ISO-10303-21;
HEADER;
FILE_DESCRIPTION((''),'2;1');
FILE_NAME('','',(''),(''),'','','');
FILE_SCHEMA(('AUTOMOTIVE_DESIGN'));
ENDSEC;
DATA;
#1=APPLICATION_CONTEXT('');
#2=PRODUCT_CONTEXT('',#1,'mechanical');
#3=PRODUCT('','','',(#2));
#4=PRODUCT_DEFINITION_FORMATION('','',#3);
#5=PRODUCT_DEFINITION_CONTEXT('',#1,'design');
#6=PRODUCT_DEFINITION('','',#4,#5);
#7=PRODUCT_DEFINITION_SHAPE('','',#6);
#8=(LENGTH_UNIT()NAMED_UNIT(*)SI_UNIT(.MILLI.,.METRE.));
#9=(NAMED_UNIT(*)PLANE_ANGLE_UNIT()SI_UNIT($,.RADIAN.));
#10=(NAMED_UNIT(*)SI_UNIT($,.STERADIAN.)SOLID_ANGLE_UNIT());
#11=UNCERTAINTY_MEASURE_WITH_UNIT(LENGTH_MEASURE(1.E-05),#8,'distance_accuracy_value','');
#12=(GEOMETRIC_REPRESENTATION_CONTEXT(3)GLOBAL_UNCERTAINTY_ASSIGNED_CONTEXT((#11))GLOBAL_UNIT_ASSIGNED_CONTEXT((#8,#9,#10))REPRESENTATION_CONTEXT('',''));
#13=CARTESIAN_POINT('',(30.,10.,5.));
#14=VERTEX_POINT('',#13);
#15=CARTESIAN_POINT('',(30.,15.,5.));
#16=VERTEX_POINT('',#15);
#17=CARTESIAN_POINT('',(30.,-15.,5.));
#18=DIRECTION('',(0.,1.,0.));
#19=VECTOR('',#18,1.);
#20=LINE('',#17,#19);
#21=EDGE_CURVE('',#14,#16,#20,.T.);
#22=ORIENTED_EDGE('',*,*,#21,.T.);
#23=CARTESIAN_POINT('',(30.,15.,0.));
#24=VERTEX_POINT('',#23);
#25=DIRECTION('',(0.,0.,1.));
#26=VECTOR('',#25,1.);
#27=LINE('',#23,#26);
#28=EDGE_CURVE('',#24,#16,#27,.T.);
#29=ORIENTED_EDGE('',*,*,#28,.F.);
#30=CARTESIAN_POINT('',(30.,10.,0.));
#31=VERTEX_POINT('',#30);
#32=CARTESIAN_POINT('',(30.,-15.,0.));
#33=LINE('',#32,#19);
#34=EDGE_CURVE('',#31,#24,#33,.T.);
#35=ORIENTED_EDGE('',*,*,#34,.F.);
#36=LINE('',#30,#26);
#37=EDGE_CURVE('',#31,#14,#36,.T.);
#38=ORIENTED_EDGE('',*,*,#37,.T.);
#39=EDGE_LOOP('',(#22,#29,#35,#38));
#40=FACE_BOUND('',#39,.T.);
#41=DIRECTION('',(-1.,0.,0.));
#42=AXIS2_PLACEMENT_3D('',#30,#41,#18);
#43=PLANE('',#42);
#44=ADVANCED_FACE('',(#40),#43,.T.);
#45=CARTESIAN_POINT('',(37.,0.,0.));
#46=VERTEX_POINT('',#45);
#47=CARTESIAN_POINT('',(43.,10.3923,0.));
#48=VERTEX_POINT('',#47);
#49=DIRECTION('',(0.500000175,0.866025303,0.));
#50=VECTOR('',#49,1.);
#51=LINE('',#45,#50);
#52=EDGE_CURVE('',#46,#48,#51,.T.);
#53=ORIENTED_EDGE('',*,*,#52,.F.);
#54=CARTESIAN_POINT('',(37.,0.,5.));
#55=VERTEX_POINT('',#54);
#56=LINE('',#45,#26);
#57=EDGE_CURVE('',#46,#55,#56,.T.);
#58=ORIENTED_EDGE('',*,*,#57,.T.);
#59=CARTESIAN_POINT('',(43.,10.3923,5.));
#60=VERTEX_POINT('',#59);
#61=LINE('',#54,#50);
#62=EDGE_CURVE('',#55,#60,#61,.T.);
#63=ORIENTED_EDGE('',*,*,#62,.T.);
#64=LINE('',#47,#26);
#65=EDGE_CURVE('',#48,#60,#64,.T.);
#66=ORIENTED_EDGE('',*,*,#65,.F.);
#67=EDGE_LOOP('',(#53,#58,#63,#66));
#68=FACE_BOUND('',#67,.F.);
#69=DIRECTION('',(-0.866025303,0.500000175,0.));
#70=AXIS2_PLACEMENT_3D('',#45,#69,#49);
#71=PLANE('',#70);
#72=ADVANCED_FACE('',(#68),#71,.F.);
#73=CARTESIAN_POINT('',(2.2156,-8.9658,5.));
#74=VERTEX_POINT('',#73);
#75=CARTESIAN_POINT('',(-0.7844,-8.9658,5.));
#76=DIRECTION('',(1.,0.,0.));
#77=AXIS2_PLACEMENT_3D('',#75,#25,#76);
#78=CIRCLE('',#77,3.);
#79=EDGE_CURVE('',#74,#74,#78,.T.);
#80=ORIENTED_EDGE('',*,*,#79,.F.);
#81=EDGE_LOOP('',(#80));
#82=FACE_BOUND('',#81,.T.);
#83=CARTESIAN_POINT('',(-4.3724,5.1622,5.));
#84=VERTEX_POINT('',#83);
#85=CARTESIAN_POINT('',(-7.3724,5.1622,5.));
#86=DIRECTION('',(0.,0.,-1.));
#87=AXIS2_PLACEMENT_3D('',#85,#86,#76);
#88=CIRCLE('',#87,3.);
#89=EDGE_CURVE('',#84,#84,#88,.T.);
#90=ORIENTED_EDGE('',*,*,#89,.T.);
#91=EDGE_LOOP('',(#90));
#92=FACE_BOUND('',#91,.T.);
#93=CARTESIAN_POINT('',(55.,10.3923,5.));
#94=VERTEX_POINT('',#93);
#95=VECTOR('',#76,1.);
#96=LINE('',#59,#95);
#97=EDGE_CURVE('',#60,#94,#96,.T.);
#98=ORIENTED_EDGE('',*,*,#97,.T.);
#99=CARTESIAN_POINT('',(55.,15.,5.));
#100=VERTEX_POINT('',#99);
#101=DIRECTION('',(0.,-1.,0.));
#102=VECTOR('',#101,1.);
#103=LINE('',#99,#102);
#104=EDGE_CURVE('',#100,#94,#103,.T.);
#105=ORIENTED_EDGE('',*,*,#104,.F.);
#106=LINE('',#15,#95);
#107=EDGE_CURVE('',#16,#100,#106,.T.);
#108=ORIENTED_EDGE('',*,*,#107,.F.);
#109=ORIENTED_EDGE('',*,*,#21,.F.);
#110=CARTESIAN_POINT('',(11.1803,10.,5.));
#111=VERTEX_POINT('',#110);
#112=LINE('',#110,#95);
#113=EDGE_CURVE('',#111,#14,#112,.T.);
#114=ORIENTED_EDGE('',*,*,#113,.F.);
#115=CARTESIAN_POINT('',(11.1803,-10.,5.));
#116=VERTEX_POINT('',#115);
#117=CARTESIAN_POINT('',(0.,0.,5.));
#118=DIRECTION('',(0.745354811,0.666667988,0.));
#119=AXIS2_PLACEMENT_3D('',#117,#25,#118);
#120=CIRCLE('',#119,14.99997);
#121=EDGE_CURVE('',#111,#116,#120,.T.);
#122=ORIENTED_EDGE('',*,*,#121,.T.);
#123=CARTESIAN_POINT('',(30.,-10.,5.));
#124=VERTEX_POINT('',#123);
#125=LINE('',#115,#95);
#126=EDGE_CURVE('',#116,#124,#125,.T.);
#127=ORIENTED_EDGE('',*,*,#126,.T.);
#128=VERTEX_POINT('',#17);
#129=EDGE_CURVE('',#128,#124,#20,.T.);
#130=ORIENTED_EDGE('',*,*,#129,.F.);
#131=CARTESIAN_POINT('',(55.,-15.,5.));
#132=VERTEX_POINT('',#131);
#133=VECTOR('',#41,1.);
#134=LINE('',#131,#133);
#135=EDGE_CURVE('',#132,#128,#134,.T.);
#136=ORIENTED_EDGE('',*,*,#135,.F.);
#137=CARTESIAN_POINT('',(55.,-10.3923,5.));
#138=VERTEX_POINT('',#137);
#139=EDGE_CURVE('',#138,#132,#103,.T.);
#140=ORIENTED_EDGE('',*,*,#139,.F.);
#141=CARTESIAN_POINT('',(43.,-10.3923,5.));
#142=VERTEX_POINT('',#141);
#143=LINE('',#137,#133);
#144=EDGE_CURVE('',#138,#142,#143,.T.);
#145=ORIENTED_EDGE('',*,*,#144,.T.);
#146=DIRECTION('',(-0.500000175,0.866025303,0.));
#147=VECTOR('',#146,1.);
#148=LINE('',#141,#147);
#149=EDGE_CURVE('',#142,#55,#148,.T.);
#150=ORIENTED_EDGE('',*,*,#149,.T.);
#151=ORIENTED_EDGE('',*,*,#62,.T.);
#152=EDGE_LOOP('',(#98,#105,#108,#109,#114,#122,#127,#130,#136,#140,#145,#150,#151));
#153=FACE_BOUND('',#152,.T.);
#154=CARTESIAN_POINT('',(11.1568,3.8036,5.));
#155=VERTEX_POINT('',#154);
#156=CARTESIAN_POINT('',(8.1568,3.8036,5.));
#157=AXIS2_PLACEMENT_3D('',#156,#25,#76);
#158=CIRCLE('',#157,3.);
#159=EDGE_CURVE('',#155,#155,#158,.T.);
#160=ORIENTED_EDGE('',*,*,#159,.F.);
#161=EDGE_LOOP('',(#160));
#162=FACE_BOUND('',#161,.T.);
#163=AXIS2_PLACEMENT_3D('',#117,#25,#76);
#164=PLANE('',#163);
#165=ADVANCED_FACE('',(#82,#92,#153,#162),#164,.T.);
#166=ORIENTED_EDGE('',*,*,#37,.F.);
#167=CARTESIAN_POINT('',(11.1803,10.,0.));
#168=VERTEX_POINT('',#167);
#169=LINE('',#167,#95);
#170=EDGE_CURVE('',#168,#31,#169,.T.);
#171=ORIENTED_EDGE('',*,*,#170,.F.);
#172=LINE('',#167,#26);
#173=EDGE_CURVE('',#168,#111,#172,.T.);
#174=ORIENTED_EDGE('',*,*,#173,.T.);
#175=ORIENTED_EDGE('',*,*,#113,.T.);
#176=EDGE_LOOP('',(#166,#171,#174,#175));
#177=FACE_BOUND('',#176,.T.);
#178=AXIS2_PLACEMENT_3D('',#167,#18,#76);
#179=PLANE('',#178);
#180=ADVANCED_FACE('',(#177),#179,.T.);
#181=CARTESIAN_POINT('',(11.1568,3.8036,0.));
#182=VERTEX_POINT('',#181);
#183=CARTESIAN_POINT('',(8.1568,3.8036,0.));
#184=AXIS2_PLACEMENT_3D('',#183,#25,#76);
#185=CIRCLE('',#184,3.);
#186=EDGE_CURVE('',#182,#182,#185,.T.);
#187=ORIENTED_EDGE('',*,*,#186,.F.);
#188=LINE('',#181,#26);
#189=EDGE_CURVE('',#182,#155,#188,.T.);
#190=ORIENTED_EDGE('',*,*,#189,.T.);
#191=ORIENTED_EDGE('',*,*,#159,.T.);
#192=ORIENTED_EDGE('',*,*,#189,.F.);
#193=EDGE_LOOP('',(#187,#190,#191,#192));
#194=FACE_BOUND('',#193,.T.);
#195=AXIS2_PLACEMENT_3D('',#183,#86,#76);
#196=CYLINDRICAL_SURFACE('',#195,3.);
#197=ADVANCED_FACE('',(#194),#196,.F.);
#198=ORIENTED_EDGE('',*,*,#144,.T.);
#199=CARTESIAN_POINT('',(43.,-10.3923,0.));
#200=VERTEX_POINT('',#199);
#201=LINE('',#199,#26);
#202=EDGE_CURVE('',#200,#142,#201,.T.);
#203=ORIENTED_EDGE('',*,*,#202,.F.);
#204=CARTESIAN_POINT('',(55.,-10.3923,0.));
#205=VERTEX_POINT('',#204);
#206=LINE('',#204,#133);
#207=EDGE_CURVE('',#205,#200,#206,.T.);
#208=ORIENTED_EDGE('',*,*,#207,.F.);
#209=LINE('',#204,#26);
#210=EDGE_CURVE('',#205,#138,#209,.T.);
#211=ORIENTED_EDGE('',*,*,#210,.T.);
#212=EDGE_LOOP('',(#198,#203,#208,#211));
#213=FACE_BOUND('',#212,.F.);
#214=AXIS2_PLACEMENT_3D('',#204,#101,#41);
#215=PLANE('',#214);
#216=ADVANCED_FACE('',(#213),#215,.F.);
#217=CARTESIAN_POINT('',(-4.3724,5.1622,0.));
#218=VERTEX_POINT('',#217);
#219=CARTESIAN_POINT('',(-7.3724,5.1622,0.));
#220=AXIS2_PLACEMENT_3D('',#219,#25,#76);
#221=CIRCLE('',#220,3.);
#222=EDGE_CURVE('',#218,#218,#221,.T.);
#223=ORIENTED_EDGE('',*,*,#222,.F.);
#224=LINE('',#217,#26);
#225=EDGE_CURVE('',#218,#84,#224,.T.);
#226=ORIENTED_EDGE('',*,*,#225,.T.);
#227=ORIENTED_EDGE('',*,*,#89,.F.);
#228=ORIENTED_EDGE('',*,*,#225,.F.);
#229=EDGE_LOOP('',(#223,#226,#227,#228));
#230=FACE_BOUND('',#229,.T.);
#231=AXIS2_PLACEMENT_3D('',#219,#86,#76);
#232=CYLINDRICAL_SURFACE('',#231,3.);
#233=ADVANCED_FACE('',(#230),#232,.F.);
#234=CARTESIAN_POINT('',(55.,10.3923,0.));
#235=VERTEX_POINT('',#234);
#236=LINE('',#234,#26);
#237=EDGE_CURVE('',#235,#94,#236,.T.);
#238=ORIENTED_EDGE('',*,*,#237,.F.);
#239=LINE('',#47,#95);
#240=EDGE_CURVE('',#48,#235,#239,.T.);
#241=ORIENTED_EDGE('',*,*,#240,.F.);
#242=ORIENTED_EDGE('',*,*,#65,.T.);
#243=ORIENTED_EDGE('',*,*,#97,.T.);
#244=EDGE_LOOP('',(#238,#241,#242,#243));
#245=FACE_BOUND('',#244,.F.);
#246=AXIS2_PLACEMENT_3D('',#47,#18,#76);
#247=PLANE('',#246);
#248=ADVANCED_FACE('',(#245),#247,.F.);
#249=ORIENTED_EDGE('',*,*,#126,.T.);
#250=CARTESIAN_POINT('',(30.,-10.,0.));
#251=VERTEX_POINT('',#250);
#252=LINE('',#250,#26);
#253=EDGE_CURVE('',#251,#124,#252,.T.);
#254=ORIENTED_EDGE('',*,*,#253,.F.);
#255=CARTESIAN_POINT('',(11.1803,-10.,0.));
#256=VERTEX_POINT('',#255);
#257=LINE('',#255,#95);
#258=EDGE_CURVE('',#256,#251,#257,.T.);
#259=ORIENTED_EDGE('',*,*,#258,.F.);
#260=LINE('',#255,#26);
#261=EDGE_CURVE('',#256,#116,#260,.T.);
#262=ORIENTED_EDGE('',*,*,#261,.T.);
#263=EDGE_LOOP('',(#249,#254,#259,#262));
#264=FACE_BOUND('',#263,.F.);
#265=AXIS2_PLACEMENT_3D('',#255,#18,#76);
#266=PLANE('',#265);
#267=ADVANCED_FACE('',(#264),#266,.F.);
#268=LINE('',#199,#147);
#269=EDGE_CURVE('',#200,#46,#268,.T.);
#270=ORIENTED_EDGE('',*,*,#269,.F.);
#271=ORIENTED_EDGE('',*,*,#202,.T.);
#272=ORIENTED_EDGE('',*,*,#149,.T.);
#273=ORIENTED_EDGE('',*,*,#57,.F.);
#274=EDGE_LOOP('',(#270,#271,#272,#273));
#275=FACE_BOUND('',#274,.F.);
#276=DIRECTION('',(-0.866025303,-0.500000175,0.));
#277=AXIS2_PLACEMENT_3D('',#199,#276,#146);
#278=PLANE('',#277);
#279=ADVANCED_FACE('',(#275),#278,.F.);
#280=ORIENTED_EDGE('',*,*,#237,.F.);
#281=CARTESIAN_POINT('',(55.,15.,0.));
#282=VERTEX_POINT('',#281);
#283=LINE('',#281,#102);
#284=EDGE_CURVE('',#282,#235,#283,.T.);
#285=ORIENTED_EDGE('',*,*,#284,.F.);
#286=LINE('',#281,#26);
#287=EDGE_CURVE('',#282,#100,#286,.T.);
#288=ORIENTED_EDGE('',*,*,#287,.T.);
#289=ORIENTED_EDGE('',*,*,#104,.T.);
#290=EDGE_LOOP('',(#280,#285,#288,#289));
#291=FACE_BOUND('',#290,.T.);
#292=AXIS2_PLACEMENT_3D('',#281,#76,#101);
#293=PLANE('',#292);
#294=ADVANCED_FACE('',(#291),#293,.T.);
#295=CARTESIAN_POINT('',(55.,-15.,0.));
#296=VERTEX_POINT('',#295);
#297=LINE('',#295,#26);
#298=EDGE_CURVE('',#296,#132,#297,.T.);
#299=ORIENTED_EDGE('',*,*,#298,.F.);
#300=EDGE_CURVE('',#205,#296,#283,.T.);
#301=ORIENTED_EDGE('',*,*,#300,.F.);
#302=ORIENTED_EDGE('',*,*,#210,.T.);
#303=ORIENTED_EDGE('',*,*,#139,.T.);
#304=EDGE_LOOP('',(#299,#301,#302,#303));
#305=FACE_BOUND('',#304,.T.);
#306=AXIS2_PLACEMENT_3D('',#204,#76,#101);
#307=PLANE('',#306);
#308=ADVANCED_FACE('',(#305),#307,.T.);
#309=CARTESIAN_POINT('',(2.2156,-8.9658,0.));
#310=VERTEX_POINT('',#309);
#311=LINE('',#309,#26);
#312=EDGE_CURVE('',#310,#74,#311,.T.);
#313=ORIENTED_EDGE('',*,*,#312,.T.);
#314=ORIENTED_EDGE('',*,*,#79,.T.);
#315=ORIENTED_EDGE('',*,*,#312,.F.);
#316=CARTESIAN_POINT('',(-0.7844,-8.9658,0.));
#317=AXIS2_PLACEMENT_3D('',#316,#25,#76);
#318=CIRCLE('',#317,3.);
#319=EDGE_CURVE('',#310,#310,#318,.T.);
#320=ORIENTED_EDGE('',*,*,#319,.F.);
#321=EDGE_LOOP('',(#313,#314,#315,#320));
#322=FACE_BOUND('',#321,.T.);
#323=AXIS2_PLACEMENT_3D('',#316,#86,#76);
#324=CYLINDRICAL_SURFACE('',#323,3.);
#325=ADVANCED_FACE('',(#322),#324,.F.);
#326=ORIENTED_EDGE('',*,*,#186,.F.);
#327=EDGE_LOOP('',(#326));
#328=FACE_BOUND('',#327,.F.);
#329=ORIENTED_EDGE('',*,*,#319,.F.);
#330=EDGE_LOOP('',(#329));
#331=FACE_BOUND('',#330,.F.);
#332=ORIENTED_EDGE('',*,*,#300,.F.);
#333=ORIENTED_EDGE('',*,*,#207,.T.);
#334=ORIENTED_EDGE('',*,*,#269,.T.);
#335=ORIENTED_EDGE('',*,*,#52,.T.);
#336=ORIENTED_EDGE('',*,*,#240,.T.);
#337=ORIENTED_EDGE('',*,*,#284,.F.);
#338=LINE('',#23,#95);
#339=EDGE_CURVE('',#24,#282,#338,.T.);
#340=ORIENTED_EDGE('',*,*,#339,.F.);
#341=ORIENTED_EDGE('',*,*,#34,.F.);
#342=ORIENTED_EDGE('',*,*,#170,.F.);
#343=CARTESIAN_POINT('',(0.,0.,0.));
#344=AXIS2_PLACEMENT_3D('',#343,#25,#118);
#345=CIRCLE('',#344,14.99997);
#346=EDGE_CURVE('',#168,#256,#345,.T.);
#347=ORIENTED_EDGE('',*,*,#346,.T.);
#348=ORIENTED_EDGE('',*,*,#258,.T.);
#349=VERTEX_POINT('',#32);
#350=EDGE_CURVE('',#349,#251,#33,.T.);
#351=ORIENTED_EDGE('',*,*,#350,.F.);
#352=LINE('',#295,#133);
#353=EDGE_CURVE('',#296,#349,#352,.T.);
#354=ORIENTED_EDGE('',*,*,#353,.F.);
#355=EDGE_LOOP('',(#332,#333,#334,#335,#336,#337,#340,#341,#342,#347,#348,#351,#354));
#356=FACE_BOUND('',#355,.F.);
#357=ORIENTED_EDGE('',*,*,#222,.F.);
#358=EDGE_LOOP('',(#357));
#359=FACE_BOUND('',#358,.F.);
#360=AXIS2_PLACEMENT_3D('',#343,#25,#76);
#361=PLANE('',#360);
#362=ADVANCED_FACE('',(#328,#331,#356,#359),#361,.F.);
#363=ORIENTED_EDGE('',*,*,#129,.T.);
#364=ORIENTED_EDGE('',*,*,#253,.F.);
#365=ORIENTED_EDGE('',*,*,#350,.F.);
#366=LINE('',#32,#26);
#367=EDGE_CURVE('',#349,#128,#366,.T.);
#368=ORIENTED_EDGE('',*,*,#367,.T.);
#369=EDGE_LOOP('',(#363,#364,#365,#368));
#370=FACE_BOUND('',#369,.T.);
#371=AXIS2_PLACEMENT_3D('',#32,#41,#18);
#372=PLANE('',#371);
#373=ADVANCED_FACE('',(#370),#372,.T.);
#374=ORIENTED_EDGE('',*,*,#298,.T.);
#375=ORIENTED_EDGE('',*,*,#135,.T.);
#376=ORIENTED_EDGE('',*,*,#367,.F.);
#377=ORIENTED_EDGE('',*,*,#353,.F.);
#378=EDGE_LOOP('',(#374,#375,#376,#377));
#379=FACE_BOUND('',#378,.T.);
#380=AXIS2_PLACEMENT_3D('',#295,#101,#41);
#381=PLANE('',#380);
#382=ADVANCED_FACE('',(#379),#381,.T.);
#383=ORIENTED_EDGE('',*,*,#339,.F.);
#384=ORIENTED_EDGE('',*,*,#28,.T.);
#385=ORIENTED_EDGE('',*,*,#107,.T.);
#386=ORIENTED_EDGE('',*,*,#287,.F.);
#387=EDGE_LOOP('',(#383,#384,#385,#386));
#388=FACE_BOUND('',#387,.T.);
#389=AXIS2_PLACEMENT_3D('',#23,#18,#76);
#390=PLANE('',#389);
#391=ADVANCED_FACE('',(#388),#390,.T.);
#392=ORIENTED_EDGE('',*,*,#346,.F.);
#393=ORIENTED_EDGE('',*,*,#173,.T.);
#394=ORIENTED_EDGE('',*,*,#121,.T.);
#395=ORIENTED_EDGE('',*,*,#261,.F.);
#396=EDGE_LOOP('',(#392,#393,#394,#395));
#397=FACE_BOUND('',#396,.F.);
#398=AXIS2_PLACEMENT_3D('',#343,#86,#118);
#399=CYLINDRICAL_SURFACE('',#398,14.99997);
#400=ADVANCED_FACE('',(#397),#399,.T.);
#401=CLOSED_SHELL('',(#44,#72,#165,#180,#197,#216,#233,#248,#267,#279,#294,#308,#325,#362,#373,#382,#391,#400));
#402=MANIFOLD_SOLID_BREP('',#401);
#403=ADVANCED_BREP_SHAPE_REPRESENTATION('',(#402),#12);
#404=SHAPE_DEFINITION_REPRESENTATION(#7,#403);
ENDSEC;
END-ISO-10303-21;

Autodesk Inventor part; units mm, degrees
ref_plane "YZ Plane" through (0, 0, 0) normal (1, 0, 0) x (0, 1, 0)
ref_plane "XZ Plane" through (0, 0, 0) normal (0, 1, 0) x (-1, 0, 0)
sketch "Эскиз1" plane through (0, 0, 0) normal (0, 0, 1) x (1, 0, 0)
  arc A0 (11.1803, 10) -> (11.1803, -10) centre (0, 0) ccw
  line L0 (30, 15) -> (55, 15)
  line L1 (55, 15) -> (55, -15)
  line L2 (55, -15) -> (30, -15)
  line L3 (30, -15) -> (30, 15)
  line L4 (11.1803, 10) -> (30, 10)
  line L5 (11.1803, -10) -> (30, -10)
  line L6 (37, 0) -> (43, 10.3923)
  line L7 (43, 10.3923) -> (55, 10.3923)
  line L8 (55, 10.3923) -> (61, 0)
  line L9 (61, 0) -> (55, -10.3923)
  line L10 (55, -10.3923) -> (43, -10.3923)
  line L11 (43, -10.3923) -> (37, 0)
  line L12 (-7.3724, 5.1622) -> (0, 0)
  line L13 (0, 8.3003) -> (0, 0)
  circle A1 centre (-7.3724, 5.1622) radius 3
  circle A2 centre (8.1568, 3.8036) radius 3
  circle A3 centre (-0.7844, -8.9658) radius 3
  point P0 (49, 0)
  dimension "d0" = 15
  dimension "d1" = 25
  dimension "d2" = 30
  dimension "d5" = 15
  dimension "d6" = 30
  dimension "d7" = 10
  dimension "d8" = 24
  dimension "d9" = 9
  dimension "d11" = 55
  dimension "d12" = 6
  dimension "d15" = 360
extrude "Выдавливание1" add sketch "Эскиз1" along normal blind 5 contours L4 L3 L5 A0 | L3 L0 L1 L7 L6 L11 L10 L2
